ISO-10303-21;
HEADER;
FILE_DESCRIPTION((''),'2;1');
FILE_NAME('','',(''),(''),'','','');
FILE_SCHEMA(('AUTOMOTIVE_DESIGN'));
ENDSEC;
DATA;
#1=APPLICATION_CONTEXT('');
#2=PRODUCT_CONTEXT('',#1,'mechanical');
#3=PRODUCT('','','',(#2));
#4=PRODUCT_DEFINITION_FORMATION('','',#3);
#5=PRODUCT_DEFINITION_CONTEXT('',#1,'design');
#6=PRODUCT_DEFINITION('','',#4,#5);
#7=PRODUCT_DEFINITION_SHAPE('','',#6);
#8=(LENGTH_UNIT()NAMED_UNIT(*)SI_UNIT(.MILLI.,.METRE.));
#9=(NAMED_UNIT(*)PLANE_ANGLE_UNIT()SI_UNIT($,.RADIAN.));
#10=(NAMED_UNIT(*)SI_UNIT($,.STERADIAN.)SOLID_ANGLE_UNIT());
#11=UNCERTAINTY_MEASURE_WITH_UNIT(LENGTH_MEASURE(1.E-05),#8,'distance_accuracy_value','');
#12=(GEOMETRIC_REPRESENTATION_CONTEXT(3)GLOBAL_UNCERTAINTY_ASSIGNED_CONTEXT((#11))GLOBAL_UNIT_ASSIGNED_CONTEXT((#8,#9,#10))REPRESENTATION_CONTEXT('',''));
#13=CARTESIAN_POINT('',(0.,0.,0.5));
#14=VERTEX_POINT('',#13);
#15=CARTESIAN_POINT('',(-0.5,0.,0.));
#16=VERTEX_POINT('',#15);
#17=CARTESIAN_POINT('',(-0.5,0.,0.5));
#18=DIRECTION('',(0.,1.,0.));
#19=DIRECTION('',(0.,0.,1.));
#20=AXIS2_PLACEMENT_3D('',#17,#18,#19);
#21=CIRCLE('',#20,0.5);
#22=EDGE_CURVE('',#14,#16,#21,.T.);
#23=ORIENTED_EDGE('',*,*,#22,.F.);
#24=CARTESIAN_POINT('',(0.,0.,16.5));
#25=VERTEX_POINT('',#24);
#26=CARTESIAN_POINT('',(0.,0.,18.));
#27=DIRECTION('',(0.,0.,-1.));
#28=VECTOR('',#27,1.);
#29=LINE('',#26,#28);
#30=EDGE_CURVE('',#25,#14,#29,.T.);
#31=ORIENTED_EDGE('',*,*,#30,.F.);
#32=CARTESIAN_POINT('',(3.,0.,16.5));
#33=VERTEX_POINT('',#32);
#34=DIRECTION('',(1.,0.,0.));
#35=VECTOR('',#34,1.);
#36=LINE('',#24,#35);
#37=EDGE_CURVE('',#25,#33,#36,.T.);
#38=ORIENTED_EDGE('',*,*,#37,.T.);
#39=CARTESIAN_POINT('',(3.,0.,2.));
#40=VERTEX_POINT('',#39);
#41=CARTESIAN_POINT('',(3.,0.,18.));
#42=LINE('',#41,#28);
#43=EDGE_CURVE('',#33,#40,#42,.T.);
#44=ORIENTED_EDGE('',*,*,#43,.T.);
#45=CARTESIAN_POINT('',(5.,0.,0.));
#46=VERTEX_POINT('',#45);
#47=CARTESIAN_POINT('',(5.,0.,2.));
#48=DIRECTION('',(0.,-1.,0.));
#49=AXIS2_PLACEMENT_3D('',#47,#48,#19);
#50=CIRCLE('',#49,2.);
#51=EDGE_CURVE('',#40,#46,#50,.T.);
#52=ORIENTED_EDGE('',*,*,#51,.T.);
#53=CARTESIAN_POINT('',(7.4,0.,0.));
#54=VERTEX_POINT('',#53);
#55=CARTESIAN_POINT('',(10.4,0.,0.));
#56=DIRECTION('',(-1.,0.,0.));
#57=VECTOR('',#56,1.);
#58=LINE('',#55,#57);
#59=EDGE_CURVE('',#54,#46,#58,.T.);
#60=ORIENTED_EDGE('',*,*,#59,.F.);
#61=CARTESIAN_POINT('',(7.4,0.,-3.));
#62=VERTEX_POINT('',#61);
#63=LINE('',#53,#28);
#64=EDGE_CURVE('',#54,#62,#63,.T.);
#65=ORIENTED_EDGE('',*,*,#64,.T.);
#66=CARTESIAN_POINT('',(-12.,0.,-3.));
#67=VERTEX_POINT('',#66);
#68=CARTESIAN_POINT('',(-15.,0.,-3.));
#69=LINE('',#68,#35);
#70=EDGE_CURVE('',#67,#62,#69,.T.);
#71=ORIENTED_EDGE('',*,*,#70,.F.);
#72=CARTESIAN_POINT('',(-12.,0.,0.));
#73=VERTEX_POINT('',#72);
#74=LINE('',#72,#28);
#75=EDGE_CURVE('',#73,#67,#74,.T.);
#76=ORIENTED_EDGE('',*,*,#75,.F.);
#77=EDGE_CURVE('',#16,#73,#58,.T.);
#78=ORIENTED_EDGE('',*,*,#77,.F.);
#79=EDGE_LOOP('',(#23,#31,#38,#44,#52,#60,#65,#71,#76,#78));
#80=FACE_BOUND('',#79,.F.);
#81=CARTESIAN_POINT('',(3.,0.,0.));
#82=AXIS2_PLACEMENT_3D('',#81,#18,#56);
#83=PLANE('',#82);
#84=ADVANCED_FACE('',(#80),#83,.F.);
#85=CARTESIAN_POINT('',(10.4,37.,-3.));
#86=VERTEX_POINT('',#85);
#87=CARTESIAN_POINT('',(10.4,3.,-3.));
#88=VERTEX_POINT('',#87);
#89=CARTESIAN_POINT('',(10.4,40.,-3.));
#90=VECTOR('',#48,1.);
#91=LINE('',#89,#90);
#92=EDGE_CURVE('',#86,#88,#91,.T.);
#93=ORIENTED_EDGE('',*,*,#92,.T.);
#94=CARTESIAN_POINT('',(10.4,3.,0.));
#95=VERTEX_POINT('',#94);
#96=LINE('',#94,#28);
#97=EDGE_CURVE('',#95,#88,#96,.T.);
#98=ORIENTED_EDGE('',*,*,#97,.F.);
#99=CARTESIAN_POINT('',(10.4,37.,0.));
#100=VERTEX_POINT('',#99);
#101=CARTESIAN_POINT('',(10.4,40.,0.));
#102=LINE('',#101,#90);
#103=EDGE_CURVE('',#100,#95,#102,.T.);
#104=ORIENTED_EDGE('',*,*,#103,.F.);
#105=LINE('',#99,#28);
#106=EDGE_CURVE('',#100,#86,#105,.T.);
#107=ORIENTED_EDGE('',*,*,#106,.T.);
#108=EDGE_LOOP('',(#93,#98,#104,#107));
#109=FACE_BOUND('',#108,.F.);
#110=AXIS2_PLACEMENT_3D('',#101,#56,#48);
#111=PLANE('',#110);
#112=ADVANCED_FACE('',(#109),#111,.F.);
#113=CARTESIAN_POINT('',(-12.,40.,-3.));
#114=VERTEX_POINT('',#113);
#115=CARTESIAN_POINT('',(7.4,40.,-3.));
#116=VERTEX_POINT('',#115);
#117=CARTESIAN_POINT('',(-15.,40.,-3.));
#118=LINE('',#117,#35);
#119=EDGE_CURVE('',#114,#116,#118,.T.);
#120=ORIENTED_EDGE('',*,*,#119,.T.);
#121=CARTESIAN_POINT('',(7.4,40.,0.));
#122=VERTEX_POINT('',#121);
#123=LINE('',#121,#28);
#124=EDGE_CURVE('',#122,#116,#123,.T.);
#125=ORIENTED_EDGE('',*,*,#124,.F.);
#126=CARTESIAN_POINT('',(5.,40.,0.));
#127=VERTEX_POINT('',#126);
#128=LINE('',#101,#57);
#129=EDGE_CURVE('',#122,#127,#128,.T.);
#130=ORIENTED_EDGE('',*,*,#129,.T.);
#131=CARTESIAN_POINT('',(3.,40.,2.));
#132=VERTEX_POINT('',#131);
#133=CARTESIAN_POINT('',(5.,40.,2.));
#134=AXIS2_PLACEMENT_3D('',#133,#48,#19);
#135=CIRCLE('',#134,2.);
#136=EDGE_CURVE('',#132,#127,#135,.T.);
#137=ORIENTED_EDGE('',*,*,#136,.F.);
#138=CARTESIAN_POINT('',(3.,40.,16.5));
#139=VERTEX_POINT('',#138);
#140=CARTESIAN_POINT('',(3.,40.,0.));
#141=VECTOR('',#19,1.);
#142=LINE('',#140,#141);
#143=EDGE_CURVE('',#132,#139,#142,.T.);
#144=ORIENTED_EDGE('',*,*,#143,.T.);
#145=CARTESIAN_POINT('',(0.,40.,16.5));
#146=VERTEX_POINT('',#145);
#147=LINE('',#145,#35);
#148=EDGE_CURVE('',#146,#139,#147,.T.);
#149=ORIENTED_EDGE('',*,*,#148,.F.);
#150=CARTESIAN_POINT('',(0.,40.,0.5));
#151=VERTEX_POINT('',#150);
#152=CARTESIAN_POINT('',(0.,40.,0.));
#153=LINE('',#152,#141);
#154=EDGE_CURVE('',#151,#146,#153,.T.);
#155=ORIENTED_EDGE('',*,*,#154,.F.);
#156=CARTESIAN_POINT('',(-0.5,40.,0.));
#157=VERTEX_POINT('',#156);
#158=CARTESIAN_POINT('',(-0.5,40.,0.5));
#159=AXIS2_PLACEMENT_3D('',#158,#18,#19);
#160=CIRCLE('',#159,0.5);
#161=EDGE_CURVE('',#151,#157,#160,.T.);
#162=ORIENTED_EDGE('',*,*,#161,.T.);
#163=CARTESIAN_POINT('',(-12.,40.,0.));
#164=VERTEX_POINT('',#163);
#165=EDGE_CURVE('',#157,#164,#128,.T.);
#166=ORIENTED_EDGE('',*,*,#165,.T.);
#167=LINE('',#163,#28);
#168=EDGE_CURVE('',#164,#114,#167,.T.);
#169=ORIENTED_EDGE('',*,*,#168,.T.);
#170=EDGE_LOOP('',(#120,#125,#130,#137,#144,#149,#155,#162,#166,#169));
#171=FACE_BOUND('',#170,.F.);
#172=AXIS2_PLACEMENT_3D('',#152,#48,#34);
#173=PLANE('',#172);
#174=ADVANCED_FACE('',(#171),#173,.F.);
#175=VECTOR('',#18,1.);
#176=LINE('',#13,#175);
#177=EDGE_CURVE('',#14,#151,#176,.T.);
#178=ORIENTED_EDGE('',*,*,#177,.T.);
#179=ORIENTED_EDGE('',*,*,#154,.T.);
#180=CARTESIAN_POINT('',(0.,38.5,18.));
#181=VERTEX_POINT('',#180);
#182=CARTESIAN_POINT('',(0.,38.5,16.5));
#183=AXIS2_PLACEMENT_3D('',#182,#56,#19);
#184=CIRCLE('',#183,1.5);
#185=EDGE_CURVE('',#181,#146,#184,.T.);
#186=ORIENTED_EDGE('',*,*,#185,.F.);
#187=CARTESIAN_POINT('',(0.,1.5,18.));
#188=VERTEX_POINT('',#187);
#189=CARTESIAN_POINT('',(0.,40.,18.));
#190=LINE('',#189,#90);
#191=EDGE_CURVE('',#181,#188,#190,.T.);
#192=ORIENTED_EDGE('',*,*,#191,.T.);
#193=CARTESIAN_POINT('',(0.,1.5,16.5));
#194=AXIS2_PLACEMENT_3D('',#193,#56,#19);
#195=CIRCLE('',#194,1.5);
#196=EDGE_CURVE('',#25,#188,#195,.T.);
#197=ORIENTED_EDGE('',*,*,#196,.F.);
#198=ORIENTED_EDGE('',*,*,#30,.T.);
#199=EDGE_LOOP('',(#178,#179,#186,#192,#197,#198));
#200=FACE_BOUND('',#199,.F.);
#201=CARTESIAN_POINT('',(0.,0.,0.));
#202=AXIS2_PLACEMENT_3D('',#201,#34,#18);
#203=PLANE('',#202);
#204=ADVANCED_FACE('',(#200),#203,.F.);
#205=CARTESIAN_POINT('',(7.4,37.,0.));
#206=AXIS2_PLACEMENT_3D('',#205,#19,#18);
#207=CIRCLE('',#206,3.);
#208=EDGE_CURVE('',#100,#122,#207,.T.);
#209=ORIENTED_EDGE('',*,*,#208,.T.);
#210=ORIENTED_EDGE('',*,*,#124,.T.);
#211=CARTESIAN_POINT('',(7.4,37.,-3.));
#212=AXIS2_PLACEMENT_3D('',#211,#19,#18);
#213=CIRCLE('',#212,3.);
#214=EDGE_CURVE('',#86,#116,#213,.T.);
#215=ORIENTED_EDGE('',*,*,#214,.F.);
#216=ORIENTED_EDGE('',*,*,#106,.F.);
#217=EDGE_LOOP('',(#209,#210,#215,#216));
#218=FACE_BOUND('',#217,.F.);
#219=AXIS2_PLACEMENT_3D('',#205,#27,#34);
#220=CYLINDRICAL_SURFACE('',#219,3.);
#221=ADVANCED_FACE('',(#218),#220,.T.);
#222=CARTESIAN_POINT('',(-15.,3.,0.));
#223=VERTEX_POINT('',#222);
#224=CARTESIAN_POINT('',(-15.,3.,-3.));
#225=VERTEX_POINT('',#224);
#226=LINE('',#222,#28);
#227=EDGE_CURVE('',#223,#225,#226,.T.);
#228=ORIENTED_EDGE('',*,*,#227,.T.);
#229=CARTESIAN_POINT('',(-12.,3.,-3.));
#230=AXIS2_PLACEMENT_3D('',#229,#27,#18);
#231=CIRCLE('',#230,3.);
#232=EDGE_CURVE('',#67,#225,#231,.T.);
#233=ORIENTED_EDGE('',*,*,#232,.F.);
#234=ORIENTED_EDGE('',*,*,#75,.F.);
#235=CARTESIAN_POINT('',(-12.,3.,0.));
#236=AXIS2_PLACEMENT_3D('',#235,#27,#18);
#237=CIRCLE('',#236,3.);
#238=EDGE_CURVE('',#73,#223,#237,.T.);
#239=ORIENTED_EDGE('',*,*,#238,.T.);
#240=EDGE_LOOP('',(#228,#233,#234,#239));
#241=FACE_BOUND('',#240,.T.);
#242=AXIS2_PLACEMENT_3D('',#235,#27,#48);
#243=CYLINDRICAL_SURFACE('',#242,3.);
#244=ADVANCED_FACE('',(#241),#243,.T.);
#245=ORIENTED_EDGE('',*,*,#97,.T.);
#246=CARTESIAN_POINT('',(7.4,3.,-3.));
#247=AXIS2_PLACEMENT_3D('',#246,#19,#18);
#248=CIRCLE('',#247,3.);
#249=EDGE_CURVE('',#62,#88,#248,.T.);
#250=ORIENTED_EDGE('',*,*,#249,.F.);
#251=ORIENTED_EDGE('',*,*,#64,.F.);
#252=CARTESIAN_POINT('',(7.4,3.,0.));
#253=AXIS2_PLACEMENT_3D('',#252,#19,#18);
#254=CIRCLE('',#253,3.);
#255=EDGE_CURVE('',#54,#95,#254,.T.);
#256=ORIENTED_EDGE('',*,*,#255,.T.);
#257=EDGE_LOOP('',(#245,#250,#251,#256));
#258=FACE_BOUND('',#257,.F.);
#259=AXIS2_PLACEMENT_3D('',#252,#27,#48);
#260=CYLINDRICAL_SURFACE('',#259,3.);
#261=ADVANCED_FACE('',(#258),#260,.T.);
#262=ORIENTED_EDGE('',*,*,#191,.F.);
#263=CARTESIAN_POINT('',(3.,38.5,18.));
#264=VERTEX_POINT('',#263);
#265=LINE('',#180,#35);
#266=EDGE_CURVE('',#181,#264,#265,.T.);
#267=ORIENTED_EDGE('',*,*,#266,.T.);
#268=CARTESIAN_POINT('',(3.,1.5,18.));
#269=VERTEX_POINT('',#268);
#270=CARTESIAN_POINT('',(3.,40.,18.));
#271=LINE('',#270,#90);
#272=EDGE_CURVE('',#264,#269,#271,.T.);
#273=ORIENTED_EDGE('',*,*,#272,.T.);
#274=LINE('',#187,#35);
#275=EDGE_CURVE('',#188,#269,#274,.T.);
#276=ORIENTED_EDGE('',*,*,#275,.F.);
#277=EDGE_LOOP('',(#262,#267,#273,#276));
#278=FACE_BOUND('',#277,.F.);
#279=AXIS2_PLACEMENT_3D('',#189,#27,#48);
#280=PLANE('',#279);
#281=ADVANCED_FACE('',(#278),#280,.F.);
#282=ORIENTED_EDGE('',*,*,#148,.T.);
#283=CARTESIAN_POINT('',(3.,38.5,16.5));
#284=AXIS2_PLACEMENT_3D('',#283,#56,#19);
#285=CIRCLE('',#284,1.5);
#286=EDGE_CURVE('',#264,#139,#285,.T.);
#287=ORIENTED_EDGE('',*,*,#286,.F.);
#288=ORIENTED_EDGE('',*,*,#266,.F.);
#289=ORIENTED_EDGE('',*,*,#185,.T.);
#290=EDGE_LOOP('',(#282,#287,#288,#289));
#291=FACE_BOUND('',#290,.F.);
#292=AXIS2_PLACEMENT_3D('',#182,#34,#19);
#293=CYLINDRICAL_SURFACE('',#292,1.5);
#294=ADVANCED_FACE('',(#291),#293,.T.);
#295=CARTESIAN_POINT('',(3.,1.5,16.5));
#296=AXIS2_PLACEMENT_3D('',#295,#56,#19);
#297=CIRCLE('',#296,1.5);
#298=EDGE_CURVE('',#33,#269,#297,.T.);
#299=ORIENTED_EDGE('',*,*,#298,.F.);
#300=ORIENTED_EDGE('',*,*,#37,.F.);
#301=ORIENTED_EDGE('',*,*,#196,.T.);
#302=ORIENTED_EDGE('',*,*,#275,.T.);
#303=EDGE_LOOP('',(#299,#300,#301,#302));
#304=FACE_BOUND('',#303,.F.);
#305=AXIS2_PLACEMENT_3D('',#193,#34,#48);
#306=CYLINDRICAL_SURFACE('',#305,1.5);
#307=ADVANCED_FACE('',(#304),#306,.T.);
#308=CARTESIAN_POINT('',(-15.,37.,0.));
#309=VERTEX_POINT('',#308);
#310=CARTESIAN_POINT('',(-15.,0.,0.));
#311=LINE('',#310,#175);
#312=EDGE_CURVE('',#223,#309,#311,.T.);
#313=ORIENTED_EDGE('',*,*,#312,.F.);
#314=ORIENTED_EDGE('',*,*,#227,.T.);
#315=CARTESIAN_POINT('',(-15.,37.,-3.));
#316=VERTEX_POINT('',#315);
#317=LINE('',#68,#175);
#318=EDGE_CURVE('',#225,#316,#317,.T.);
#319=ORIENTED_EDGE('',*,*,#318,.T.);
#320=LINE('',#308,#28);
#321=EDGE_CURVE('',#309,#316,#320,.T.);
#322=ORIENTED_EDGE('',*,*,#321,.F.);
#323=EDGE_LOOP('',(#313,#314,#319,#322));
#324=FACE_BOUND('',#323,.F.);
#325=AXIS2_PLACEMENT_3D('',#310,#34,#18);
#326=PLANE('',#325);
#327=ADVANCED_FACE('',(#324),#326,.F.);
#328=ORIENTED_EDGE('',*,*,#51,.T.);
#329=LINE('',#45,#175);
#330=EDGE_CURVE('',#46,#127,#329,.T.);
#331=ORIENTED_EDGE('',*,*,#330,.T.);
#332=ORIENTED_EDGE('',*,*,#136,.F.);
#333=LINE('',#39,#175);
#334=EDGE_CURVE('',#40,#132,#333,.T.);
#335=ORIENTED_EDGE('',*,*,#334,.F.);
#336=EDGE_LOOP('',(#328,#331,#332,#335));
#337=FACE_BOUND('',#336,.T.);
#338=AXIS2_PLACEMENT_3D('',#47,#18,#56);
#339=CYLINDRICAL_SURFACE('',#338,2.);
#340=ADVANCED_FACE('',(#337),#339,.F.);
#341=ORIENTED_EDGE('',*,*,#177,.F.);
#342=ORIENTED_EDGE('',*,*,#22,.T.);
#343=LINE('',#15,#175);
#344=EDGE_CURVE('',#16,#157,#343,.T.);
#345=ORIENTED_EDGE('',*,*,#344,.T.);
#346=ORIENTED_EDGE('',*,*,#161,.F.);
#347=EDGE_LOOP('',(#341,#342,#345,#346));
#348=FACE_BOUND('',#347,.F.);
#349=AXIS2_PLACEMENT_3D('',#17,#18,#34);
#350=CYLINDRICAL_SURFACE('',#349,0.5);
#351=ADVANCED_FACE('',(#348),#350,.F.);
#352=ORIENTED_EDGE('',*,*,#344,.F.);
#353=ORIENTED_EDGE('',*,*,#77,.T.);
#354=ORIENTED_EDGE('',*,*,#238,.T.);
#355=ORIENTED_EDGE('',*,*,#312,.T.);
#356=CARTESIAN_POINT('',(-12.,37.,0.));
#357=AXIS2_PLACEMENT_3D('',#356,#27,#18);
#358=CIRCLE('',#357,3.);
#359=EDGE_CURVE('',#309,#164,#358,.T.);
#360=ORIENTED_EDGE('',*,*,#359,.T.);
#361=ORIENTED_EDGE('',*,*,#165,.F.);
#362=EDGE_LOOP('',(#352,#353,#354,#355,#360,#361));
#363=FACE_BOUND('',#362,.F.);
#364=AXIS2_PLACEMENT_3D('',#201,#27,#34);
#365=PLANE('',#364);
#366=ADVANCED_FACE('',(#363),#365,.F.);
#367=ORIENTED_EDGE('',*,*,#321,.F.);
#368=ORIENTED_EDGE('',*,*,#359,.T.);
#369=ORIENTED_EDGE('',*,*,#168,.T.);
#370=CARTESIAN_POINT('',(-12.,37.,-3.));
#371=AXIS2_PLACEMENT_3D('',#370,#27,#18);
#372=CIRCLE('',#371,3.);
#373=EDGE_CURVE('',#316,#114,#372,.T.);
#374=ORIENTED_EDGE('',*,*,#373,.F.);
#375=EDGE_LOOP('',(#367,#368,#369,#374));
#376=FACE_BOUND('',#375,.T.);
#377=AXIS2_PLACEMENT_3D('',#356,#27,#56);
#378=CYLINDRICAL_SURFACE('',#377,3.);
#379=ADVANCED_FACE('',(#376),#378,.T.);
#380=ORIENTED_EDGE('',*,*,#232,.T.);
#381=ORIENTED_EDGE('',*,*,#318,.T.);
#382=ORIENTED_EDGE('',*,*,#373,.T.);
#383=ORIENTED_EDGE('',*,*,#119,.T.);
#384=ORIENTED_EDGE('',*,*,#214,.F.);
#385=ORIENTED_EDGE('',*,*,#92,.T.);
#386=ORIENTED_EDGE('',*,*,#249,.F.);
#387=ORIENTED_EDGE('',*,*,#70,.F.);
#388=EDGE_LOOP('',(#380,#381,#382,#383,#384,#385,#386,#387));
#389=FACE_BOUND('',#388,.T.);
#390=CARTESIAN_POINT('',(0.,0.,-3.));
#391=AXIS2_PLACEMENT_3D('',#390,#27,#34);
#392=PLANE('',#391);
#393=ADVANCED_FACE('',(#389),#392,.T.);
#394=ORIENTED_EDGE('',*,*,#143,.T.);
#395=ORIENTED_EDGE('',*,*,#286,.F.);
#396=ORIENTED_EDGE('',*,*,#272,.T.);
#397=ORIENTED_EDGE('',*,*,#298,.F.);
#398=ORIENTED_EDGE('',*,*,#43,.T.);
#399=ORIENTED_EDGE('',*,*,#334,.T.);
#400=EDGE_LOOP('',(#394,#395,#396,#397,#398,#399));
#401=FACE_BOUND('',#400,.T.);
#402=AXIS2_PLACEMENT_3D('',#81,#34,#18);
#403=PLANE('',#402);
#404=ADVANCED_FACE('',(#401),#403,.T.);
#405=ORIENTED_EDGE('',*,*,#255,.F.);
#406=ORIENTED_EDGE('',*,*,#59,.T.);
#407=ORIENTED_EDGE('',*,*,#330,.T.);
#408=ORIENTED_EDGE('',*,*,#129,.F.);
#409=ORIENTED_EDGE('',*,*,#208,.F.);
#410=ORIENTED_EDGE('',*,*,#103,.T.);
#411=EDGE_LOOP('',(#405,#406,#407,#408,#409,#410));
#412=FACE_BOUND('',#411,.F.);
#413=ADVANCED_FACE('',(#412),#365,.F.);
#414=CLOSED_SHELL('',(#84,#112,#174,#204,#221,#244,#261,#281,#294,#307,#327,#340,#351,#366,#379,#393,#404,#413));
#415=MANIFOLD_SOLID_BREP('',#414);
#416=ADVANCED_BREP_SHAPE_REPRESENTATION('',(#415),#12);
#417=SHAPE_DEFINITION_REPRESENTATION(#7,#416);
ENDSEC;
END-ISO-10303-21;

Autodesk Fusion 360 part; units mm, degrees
sketch "Sketch1" plane through (0, 0, 0) normal (1, 0, 0) x (0, 1, 0)
  line L0 (0, 0) -> (40, 0)
  line L1 (40, 0) -> (40, 18)
  line L2 (40, 18) -> (0, 18)
  line L3 (0, 18) -> (0, 0)
  dimension "d1" = 40
  dimension "d2" = 18
extrude "Extrude1" add sketch "Sketch1" along normal blind 3
sketch "Sketch3" plane through (0, 0, 0) normal (0, 0, -1) x (1, 0, 0)
  line L0 (0, 0) -> (0, -40)
  line L1 (0, -40) -> (3, -40)
  line L2 (3, -40) -> (3, 0)
  line L3 (3, 0) -> (0, 0)
  line L4 (1.5, 0) -> (1.5, -40) construction
  line L5 (-15, -40) -> (10.4, -40)
  line L6 (10.4, -40) -> (10.4, 0)
  line L7 (10.4, 0) -> (-15, 0)
  line L8 (-15, 0) -> (-15, -40)
  dimension "d11" = 25.4
  dimension "d12" = 15
extrude "Extrude3" add sketch "Sketch3" along normal blind 3
fillet "Fillet1" radius 3 4 edges at (-15, 40, -1.5) (-15, 0, -1.5) (10.4, 0, -1.5) (10.4, 40, -1.5)
fillet "Fillet2" radius 1.5 2 edges at (1.5, 40, 18) (1.5, 0, 18)
fillet "Fillet3" radius 2 1 edges at (3, 20, 0)
fillet "Fillet4" radius 0.5 1 edges at (0, 20, 0)
